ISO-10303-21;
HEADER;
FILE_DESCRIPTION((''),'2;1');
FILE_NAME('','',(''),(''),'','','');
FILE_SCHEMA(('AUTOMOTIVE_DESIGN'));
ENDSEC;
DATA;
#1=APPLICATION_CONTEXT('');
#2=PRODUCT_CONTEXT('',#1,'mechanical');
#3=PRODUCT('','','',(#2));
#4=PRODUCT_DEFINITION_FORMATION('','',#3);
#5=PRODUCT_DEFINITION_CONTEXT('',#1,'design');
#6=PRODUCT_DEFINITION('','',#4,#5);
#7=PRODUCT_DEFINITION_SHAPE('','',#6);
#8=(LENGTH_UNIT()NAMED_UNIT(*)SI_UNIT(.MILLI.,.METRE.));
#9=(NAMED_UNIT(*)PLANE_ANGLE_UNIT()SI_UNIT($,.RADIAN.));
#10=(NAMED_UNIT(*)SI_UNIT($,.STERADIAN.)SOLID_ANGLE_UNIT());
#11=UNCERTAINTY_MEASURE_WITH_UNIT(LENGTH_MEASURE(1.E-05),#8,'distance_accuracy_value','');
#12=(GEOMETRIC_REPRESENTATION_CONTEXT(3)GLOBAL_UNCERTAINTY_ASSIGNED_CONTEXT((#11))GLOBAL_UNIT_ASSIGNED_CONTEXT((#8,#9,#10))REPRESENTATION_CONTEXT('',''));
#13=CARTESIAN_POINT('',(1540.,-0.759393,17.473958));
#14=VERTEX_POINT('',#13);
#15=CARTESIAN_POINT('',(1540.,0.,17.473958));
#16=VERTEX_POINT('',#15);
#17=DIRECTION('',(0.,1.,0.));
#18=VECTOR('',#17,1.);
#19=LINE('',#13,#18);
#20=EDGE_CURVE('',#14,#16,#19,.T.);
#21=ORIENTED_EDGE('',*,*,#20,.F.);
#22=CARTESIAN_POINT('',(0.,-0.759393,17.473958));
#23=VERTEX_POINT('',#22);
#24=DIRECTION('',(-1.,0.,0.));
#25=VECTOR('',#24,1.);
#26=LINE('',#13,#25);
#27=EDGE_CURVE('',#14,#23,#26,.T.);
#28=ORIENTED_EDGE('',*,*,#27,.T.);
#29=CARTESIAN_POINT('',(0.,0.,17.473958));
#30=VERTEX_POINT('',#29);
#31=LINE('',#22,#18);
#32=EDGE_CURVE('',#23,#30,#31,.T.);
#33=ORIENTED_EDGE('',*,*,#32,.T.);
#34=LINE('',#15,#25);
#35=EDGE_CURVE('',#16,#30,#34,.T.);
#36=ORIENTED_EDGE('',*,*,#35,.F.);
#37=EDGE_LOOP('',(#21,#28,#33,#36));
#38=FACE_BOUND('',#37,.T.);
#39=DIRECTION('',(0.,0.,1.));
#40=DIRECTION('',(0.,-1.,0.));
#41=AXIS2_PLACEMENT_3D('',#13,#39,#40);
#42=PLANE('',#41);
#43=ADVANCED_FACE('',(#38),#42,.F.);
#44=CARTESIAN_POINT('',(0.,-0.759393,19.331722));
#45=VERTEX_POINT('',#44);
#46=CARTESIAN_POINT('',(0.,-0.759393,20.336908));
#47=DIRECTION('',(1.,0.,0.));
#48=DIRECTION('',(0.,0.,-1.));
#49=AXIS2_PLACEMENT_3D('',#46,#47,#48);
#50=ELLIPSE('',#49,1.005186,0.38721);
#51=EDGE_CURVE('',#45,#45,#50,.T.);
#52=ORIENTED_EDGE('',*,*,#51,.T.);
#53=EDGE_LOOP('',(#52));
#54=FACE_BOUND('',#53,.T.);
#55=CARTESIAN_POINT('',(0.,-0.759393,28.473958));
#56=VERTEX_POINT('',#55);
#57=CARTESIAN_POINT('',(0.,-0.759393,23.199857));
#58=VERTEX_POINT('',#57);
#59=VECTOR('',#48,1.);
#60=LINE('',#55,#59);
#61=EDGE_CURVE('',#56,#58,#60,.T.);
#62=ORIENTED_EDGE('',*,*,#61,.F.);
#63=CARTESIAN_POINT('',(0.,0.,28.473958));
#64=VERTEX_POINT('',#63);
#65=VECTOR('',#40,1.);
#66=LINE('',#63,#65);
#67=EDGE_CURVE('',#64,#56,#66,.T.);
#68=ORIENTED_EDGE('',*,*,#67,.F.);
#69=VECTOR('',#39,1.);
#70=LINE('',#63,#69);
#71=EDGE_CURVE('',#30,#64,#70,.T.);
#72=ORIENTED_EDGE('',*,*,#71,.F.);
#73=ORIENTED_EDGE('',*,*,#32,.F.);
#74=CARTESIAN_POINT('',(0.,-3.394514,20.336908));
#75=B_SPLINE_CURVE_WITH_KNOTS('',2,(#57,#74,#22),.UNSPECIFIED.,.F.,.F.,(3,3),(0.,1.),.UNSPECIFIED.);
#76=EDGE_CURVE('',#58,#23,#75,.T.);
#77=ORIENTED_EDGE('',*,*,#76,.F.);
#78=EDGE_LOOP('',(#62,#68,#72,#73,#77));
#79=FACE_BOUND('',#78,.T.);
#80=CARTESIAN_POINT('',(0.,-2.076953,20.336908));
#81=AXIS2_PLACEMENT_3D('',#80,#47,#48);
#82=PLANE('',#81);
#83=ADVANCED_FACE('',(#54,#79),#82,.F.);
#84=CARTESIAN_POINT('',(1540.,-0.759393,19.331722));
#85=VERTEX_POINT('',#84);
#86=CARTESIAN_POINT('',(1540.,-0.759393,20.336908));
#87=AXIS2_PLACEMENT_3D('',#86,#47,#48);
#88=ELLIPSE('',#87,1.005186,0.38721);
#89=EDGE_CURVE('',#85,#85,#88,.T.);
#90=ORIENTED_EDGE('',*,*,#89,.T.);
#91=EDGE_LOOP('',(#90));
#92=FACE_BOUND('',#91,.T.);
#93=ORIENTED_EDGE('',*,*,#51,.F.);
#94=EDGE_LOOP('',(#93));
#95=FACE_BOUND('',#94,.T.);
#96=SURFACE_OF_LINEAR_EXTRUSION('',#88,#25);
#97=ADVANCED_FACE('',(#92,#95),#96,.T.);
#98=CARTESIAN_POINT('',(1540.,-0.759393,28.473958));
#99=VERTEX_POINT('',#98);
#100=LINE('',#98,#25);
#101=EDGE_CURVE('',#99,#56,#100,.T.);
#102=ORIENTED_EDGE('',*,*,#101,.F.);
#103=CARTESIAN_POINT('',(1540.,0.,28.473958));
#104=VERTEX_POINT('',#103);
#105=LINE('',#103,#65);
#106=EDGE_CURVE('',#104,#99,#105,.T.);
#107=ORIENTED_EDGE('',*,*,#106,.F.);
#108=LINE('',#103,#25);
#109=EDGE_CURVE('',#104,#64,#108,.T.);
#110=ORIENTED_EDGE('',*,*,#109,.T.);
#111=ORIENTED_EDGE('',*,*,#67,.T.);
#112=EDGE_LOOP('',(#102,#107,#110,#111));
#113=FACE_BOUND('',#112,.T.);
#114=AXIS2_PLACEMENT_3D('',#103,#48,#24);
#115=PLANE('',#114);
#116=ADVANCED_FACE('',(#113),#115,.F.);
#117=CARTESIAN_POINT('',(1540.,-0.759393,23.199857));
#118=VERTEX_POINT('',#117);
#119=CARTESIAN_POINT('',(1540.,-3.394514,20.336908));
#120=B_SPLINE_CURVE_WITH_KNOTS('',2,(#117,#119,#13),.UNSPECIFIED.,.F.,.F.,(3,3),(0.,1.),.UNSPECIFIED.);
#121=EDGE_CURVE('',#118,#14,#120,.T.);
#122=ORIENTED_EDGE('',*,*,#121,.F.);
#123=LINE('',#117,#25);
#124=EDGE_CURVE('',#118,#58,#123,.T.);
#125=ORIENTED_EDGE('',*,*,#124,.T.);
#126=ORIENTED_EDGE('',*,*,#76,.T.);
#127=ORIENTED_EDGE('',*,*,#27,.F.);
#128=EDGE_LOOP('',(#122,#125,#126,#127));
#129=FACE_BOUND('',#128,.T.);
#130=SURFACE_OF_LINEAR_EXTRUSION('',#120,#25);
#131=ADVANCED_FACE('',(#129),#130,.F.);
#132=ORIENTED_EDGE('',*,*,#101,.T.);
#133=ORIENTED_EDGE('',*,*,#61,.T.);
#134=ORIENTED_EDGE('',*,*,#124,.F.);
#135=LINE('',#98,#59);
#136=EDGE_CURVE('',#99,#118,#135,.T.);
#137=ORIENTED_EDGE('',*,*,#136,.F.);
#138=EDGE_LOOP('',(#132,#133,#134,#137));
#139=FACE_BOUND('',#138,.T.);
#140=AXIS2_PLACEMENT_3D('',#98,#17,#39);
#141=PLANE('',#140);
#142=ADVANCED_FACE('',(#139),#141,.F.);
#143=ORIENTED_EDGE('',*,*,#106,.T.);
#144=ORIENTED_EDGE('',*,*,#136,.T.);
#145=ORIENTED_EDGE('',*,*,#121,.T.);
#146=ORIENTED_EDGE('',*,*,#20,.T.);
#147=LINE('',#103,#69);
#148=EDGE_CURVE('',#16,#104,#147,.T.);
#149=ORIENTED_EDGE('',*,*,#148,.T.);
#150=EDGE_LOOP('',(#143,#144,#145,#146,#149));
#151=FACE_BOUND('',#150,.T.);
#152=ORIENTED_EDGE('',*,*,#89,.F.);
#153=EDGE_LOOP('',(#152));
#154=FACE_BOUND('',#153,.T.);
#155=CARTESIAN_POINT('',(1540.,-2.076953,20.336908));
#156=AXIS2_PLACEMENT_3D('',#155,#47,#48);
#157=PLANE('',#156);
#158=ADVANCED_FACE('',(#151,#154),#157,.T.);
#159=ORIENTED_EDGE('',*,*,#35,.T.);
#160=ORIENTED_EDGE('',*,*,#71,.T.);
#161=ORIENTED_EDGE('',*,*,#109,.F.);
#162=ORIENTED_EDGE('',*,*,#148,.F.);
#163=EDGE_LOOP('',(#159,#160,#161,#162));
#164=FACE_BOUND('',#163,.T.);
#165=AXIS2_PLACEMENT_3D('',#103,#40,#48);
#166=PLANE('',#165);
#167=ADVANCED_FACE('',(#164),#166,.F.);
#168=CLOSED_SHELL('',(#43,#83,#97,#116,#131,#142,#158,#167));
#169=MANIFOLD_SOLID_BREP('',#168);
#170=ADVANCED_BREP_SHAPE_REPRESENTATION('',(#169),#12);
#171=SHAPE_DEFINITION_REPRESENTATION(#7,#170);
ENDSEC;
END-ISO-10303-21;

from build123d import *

# Parameters (mm, degrees)
SKETCH1_RX          = 1.005186148
SKETCH1_RY          = 0.387209531
BOSS_EXTRUDE1_DEPTH = 1540


with BuildPart() as part:
    # Sketch1 → Boss-Extrude1 (new body)
    with BuildSketch(Plane(origin=(0, 0, 0), x_dir=(0, 0, -1), z_dir=(1, 0, 0))):
        with BuildLine():
            Line((-28.473958333, 0), (-17.473958333, 0))
            Line((-17.473958333, 0), (-17.473958333, -0.759392904))
            add(Edge.make_bspline(
                [(-17.473958333, -0.759392904), (-20.336907656, -3.394513912), (-23.199856978, -0.759392904)],
                knots=[0, 0, 0, 1, 1, 1], degree=2))
            Line((-23.199856978, -0.759392904), (-28.473958333, -0.759392904))
            Line((-28.473958333, -0.759392904), (-28.473958333, 0))
        make_face()
        with Locations((-20.336907656, -0.759392904)):
            Ellipse(SKETCH1_RX, SKETCH1_RY, mode=Mode.SUBTRACT)
    extrude(amount=BOSS_EXTRUDE1_DEPTH)


solid = part.part
